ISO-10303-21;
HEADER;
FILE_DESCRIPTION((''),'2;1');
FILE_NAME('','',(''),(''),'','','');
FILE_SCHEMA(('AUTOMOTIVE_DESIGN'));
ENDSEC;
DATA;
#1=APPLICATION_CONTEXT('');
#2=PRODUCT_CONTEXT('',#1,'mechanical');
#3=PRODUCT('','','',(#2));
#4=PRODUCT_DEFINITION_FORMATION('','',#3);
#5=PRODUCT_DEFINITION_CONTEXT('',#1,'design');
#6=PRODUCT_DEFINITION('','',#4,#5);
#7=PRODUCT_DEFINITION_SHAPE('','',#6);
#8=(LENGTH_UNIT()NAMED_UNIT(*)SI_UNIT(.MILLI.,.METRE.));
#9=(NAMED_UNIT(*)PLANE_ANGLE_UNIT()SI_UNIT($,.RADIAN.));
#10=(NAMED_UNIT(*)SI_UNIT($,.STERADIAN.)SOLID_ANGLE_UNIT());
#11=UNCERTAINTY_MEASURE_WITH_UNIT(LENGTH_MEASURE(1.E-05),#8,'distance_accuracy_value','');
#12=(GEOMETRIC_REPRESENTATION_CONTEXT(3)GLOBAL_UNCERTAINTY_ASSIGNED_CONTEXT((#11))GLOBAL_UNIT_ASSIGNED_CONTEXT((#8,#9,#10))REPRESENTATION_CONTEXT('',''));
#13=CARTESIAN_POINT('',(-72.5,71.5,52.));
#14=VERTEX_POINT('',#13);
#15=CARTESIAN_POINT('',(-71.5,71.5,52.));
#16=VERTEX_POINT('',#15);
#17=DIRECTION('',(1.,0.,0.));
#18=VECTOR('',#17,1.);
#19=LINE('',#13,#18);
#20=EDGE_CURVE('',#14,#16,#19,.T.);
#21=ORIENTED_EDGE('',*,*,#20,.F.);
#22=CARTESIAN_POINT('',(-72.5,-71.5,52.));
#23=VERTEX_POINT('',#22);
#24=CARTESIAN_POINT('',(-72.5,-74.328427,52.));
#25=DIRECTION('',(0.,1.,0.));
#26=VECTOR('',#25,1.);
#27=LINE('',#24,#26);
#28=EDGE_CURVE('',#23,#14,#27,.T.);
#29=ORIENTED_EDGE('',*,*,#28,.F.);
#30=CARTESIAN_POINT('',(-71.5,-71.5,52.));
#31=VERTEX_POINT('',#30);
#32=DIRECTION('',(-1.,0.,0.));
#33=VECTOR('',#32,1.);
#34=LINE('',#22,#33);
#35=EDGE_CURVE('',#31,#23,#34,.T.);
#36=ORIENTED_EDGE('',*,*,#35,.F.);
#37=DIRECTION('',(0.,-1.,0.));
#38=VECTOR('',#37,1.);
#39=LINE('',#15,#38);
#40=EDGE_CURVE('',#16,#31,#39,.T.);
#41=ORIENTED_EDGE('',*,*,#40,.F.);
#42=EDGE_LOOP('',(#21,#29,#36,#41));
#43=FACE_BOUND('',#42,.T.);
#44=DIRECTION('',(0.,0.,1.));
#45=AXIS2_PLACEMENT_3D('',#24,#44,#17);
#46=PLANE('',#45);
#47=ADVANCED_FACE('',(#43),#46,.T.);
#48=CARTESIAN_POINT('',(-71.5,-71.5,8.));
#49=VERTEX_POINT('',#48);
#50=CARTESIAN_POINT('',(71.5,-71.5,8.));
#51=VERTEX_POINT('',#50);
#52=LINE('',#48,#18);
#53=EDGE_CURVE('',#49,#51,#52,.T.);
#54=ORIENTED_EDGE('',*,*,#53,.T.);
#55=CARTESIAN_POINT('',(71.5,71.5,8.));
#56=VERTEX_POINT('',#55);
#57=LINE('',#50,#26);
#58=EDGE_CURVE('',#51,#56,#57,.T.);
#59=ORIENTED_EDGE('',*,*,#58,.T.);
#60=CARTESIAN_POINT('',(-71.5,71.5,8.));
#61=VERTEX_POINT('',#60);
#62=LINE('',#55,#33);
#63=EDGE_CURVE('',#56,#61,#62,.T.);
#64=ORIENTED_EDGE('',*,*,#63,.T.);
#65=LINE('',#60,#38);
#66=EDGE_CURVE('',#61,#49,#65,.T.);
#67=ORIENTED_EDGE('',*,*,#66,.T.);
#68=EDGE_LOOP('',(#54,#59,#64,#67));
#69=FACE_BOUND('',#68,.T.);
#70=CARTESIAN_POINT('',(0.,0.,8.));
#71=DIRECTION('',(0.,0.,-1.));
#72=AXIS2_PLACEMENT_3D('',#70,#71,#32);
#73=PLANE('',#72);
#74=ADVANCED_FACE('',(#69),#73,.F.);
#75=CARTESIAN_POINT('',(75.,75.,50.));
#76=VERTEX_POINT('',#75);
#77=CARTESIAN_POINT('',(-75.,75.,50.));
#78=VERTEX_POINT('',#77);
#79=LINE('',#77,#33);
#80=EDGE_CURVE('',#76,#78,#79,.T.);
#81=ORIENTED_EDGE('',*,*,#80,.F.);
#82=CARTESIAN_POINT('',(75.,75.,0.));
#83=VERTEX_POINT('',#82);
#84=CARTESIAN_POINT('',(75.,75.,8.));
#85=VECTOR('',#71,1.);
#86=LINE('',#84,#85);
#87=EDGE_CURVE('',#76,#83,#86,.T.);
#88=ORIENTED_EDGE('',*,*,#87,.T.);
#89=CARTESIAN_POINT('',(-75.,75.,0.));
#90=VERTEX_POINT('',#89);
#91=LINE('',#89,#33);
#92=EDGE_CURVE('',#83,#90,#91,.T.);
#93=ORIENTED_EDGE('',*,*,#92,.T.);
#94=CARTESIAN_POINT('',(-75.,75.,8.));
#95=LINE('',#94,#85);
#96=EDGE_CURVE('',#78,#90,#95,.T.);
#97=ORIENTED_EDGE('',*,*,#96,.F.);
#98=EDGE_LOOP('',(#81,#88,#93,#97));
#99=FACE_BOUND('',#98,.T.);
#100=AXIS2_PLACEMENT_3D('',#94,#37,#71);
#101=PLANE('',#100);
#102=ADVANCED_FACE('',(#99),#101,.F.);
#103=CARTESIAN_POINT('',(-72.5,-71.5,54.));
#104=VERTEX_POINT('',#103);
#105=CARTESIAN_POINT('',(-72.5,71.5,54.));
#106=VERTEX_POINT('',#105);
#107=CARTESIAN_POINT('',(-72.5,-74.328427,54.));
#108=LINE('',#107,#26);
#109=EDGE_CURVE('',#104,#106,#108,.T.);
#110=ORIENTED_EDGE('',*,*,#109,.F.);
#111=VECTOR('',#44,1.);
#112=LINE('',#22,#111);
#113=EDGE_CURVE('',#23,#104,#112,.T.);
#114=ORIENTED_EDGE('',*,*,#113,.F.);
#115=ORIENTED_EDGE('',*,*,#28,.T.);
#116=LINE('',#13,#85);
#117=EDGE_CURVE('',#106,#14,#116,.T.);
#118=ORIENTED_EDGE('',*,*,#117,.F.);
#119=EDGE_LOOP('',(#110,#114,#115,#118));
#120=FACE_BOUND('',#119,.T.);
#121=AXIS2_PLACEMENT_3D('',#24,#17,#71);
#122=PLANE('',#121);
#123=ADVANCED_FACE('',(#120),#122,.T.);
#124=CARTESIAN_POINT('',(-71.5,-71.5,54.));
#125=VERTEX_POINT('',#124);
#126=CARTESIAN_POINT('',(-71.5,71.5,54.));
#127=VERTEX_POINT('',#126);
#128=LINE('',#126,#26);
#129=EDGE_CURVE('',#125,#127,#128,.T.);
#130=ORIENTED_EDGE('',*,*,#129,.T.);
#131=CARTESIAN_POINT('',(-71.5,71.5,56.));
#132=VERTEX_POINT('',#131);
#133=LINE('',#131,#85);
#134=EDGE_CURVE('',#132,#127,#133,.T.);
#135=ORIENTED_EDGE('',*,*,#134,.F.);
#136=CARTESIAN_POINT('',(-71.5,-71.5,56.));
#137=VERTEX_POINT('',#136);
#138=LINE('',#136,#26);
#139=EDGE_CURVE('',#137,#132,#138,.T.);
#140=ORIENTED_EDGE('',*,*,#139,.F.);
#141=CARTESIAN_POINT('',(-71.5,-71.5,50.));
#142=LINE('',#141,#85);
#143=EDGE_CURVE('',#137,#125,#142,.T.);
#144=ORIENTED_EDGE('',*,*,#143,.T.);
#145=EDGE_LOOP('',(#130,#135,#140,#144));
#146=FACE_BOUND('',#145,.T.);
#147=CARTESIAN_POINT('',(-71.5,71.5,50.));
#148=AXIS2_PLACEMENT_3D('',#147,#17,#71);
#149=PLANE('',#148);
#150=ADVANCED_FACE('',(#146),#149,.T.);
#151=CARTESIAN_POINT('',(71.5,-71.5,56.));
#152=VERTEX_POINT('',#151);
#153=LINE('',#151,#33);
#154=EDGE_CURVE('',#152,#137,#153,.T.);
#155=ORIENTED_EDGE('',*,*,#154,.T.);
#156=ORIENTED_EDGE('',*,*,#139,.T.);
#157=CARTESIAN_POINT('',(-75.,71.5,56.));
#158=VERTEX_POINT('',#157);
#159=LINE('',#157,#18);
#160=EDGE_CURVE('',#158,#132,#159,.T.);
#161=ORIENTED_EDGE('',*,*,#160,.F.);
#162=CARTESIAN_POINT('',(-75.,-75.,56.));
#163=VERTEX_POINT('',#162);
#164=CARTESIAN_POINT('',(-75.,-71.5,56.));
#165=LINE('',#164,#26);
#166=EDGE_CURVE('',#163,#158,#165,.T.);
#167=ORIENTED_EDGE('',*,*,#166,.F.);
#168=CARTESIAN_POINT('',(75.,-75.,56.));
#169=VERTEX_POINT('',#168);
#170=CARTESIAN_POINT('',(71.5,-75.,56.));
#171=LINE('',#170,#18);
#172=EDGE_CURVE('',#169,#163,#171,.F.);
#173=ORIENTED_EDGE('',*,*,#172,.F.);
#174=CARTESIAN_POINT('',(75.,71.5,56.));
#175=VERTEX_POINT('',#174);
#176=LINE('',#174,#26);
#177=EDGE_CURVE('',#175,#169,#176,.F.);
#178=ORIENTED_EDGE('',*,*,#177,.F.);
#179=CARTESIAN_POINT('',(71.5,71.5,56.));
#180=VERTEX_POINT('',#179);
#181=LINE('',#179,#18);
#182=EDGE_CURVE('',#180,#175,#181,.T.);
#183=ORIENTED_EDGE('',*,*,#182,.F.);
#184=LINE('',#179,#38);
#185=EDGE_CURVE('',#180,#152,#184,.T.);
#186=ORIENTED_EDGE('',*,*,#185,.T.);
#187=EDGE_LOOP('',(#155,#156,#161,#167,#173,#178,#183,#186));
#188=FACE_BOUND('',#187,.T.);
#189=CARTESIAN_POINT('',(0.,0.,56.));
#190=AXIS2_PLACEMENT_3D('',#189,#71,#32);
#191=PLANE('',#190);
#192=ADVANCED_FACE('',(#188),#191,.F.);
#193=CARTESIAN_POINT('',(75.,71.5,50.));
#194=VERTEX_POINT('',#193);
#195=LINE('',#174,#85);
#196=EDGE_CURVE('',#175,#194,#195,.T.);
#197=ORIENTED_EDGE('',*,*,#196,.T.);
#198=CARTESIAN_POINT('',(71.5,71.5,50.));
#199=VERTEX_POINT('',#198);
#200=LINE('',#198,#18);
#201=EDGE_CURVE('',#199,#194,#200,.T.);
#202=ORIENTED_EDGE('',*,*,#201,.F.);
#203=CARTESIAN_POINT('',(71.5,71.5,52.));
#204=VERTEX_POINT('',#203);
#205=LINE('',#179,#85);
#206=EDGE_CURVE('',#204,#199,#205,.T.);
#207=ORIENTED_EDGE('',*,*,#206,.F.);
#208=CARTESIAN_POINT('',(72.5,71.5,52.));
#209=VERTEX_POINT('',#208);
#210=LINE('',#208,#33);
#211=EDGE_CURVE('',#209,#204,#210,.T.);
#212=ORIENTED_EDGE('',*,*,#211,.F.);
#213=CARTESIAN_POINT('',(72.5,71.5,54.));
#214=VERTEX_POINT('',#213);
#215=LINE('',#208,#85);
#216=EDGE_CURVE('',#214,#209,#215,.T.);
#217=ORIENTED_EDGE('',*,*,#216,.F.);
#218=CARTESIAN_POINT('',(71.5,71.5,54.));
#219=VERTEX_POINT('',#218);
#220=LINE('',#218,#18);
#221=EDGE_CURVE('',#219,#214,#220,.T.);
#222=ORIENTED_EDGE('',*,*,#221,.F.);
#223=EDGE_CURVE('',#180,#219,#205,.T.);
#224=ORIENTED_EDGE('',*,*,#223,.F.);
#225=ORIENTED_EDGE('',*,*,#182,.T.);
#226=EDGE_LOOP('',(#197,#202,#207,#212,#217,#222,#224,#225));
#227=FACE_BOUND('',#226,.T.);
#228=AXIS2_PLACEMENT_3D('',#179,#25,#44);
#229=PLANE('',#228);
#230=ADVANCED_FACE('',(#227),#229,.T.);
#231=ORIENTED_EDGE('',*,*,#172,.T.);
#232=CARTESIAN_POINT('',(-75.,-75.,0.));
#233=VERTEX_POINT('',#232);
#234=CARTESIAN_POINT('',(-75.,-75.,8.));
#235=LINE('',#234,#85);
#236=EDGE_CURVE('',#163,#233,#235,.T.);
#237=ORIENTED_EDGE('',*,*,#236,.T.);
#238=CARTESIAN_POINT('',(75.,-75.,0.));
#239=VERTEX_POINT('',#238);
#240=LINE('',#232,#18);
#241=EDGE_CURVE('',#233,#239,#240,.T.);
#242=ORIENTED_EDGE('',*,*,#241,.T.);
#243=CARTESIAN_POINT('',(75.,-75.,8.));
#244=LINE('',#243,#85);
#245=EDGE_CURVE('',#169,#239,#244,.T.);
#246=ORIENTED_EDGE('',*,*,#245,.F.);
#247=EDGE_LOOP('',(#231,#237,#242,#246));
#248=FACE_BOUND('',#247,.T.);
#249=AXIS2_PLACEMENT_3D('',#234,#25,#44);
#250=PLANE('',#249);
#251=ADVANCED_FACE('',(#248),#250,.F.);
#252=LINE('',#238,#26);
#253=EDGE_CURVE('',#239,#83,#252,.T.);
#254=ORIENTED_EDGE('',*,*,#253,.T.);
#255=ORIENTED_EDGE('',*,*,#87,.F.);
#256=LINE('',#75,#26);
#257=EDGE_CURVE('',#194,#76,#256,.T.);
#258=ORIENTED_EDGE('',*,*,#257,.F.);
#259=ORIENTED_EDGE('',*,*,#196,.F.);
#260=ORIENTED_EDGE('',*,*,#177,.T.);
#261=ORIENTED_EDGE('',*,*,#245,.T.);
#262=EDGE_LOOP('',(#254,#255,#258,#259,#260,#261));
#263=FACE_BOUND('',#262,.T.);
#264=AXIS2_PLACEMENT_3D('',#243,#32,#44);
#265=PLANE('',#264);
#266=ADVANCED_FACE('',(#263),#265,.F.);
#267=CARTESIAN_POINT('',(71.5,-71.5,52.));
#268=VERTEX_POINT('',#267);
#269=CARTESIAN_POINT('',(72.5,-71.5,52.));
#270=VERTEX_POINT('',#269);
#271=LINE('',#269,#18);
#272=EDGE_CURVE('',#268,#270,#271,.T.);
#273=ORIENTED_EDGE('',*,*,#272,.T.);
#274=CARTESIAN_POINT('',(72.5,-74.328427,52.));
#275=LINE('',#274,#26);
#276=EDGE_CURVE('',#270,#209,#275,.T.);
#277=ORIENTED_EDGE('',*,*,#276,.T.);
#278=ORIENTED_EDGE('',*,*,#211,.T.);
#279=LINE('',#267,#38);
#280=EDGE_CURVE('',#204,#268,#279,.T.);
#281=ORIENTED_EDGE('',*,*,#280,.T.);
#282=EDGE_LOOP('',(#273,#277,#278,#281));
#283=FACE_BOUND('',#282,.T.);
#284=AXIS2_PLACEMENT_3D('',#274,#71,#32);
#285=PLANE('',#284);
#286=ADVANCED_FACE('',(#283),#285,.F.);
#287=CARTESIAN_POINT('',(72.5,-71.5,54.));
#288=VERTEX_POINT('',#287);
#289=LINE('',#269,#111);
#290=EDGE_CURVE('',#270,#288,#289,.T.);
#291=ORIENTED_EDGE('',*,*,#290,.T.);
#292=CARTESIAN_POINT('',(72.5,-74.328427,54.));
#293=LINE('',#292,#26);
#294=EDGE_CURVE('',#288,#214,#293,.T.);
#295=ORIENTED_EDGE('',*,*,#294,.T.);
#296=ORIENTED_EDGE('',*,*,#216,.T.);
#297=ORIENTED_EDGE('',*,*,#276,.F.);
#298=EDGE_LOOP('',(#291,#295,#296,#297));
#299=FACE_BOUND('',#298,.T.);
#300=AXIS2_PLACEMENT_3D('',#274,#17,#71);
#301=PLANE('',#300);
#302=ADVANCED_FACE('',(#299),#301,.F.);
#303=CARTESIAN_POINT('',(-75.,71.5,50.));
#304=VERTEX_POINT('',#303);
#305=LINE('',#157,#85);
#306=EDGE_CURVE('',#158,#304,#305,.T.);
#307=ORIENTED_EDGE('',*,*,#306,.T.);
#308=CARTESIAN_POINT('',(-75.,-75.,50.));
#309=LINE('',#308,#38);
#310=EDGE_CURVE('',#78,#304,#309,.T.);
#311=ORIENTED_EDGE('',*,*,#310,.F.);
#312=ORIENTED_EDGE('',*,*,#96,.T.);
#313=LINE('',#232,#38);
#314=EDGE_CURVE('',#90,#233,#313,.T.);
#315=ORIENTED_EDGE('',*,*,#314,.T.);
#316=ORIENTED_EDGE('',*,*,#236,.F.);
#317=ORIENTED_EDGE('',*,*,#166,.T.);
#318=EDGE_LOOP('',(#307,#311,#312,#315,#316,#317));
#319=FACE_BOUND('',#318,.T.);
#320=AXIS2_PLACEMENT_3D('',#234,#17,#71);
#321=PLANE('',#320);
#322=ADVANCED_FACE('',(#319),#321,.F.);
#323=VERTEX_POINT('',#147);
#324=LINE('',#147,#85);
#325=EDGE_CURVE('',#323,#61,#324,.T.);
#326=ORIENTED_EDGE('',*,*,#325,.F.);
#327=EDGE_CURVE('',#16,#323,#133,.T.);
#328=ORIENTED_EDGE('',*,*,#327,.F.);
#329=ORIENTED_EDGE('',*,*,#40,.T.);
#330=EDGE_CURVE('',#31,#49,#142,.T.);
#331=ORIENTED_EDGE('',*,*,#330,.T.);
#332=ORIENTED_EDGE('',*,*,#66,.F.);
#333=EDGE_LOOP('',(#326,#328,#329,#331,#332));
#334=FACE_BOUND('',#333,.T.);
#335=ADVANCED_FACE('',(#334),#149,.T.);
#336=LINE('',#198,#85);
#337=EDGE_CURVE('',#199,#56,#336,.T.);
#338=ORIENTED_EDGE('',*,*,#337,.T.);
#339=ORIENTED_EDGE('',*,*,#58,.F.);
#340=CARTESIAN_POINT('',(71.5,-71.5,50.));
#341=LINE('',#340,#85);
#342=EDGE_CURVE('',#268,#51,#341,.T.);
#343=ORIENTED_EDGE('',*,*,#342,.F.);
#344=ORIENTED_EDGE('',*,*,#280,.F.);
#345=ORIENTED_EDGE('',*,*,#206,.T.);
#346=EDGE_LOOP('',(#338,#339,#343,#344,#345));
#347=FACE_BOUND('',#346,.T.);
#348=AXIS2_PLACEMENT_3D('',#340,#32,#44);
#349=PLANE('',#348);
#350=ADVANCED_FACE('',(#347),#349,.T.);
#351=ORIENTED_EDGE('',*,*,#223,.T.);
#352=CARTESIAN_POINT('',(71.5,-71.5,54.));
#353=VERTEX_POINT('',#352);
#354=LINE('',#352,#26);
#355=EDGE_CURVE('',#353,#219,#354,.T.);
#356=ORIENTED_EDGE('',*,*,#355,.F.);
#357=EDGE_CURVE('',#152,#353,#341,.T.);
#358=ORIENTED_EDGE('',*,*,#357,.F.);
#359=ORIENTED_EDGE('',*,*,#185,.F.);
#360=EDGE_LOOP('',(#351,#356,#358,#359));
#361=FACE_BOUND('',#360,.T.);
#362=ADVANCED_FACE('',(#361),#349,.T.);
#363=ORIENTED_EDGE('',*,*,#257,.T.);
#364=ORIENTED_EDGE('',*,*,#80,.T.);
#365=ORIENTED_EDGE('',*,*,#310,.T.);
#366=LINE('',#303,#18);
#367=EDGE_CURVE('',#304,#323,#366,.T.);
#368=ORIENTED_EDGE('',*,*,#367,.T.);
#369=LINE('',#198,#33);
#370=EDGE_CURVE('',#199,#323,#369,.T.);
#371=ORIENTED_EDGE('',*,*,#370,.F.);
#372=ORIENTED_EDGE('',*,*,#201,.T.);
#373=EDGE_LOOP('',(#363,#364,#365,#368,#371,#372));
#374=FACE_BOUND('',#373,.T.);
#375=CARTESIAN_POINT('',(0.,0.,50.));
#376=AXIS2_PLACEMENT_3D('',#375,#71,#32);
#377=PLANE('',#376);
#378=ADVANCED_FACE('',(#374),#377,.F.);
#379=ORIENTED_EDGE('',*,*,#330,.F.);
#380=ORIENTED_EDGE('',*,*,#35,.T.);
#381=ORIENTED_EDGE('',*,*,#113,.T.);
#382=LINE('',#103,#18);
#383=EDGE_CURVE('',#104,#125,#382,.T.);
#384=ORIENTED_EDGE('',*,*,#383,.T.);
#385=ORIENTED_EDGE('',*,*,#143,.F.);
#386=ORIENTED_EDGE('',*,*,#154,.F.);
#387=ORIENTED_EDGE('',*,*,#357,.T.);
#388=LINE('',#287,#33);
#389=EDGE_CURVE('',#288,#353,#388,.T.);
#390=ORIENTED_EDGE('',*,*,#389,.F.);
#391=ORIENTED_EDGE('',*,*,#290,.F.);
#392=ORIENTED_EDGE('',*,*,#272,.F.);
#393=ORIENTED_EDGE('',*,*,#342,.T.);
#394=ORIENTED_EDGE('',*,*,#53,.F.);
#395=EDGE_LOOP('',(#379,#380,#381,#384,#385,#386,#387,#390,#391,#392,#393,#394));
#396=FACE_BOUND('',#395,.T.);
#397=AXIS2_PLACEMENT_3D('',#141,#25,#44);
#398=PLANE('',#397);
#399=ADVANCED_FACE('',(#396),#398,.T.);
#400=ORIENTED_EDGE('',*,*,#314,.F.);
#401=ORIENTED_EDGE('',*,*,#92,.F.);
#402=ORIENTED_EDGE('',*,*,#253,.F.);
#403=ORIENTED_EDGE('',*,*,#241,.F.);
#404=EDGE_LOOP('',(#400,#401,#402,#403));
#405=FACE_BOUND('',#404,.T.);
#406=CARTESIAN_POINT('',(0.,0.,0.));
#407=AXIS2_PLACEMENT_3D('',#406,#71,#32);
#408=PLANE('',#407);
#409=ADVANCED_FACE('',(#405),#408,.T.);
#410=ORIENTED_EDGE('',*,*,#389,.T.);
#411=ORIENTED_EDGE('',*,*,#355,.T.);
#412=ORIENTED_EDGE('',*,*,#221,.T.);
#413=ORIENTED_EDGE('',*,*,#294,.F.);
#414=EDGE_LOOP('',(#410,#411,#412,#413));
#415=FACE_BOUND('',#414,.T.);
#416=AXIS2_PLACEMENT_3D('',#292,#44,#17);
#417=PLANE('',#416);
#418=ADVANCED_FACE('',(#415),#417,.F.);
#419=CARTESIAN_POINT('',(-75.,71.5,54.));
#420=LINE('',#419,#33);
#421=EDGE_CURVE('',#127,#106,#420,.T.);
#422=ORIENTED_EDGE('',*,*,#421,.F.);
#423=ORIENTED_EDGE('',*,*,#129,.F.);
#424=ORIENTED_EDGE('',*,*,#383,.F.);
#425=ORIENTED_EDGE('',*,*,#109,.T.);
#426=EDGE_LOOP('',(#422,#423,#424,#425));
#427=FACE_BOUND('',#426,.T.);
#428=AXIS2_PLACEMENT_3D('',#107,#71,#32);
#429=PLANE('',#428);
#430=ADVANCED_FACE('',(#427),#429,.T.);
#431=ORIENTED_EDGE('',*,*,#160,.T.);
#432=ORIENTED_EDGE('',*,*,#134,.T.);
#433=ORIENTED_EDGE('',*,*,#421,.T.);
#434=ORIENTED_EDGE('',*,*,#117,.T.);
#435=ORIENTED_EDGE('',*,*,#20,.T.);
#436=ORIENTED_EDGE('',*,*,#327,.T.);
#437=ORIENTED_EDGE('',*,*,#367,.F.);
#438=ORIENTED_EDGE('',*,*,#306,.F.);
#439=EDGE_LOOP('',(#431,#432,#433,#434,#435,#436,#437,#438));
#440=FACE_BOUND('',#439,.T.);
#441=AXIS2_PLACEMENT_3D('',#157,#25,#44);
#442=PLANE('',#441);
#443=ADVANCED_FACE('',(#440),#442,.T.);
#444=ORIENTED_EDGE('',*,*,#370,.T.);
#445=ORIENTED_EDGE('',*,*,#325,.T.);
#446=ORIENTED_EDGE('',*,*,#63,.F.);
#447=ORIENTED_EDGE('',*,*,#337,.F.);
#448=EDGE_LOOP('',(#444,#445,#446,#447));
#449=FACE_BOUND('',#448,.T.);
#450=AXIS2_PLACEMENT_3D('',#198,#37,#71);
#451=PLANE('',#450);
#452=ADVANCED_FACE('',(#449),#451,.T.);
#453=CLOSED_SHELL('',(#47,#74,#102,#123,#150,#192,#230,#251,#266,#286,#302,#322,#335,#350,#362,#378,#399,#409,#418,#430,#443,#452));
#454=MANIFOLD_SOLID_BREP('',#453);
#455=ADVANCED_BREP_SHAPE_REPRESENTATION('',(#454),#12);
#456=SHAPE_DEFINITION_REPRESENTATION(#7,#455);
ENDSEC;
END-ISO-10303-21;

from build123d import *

# Parameters (mm, degrees)
SKETCH1_W           = 150
SKETCH1_H           = 150
BOSS_EXTRUDE1_DEPTH = 8
SKETCH4_W           = 150
SKETCH4_H           = 150
SKETCH4_W_2         = 143
SKETCH4_H_2         = 143
BOSS_EXTRUDE2_DEPTH = 42
EXTRUDE_THIN1_DEPTH = 6
SKETCH6_W           = 2
SKETCH6_H           = 2
CUT_EXTRUDE1_DEPTH  = 143


with BuildPart() as part:
    # Sketch1 → Boss-Extrude1 (new body)
    with BuildSketch(Plane.XY):
        Rectangle(SKETCH1_W, SKETCH1_H)
    extrude(amount=BOSS_EXTRUDE1_DEPTH)

    # Sketch4 → Boss-Extrude2 (add)
    with BuildSketch(Plane.XY.offset(8)):
        Rectangle(SKETCH4_W, SKETCH4_H)
        Rectangle(SKETCH4_W_2, SKETCH4_H_2, mode=Mode.SUBTRACT)
    extrude(amount=BOSS_EXTRUDE2_DEPTH)

    # Sketch5 → Extrude-Thin1 (add)
    with BuildSketch(Plane.XY.offset(50)):
        Polygon((71.5, 71.5), (71.5, -71.5), (-71.5, -71.5), (-71.5, 71.5), (-75, 71.5), (-75, -75), (75, -75), (75, 71.5), align=None)
    extrude(amount=EXTRUDE_THIN1_DEPTH)

    # Sketch6 → Cut-Extrude1 (cut)
    with BuildSketch(Plane(origin=(0, 71.5, 0), x_dir=(1, 0, 0), z_dir=(0, 1, 0))):
        with Locations((71.5, -53)):
            Rectangle(SKETCH6_W, SKETCH6_H)
    cut_extrude1 = extrude(amount=-CUT_EXTRUDE1_DEPTH, mode=Mode.SUBTRACT)

    # Mirror1: Cut-Extrude1 across plane
    add(cut_extrude1.mirror(Plane(origin=(0, 0, 0), x_dir=(0, 0, 1), z_dir=(1, 0, 0))), mode=Mode.SUBTRACT)


solid = part.part
